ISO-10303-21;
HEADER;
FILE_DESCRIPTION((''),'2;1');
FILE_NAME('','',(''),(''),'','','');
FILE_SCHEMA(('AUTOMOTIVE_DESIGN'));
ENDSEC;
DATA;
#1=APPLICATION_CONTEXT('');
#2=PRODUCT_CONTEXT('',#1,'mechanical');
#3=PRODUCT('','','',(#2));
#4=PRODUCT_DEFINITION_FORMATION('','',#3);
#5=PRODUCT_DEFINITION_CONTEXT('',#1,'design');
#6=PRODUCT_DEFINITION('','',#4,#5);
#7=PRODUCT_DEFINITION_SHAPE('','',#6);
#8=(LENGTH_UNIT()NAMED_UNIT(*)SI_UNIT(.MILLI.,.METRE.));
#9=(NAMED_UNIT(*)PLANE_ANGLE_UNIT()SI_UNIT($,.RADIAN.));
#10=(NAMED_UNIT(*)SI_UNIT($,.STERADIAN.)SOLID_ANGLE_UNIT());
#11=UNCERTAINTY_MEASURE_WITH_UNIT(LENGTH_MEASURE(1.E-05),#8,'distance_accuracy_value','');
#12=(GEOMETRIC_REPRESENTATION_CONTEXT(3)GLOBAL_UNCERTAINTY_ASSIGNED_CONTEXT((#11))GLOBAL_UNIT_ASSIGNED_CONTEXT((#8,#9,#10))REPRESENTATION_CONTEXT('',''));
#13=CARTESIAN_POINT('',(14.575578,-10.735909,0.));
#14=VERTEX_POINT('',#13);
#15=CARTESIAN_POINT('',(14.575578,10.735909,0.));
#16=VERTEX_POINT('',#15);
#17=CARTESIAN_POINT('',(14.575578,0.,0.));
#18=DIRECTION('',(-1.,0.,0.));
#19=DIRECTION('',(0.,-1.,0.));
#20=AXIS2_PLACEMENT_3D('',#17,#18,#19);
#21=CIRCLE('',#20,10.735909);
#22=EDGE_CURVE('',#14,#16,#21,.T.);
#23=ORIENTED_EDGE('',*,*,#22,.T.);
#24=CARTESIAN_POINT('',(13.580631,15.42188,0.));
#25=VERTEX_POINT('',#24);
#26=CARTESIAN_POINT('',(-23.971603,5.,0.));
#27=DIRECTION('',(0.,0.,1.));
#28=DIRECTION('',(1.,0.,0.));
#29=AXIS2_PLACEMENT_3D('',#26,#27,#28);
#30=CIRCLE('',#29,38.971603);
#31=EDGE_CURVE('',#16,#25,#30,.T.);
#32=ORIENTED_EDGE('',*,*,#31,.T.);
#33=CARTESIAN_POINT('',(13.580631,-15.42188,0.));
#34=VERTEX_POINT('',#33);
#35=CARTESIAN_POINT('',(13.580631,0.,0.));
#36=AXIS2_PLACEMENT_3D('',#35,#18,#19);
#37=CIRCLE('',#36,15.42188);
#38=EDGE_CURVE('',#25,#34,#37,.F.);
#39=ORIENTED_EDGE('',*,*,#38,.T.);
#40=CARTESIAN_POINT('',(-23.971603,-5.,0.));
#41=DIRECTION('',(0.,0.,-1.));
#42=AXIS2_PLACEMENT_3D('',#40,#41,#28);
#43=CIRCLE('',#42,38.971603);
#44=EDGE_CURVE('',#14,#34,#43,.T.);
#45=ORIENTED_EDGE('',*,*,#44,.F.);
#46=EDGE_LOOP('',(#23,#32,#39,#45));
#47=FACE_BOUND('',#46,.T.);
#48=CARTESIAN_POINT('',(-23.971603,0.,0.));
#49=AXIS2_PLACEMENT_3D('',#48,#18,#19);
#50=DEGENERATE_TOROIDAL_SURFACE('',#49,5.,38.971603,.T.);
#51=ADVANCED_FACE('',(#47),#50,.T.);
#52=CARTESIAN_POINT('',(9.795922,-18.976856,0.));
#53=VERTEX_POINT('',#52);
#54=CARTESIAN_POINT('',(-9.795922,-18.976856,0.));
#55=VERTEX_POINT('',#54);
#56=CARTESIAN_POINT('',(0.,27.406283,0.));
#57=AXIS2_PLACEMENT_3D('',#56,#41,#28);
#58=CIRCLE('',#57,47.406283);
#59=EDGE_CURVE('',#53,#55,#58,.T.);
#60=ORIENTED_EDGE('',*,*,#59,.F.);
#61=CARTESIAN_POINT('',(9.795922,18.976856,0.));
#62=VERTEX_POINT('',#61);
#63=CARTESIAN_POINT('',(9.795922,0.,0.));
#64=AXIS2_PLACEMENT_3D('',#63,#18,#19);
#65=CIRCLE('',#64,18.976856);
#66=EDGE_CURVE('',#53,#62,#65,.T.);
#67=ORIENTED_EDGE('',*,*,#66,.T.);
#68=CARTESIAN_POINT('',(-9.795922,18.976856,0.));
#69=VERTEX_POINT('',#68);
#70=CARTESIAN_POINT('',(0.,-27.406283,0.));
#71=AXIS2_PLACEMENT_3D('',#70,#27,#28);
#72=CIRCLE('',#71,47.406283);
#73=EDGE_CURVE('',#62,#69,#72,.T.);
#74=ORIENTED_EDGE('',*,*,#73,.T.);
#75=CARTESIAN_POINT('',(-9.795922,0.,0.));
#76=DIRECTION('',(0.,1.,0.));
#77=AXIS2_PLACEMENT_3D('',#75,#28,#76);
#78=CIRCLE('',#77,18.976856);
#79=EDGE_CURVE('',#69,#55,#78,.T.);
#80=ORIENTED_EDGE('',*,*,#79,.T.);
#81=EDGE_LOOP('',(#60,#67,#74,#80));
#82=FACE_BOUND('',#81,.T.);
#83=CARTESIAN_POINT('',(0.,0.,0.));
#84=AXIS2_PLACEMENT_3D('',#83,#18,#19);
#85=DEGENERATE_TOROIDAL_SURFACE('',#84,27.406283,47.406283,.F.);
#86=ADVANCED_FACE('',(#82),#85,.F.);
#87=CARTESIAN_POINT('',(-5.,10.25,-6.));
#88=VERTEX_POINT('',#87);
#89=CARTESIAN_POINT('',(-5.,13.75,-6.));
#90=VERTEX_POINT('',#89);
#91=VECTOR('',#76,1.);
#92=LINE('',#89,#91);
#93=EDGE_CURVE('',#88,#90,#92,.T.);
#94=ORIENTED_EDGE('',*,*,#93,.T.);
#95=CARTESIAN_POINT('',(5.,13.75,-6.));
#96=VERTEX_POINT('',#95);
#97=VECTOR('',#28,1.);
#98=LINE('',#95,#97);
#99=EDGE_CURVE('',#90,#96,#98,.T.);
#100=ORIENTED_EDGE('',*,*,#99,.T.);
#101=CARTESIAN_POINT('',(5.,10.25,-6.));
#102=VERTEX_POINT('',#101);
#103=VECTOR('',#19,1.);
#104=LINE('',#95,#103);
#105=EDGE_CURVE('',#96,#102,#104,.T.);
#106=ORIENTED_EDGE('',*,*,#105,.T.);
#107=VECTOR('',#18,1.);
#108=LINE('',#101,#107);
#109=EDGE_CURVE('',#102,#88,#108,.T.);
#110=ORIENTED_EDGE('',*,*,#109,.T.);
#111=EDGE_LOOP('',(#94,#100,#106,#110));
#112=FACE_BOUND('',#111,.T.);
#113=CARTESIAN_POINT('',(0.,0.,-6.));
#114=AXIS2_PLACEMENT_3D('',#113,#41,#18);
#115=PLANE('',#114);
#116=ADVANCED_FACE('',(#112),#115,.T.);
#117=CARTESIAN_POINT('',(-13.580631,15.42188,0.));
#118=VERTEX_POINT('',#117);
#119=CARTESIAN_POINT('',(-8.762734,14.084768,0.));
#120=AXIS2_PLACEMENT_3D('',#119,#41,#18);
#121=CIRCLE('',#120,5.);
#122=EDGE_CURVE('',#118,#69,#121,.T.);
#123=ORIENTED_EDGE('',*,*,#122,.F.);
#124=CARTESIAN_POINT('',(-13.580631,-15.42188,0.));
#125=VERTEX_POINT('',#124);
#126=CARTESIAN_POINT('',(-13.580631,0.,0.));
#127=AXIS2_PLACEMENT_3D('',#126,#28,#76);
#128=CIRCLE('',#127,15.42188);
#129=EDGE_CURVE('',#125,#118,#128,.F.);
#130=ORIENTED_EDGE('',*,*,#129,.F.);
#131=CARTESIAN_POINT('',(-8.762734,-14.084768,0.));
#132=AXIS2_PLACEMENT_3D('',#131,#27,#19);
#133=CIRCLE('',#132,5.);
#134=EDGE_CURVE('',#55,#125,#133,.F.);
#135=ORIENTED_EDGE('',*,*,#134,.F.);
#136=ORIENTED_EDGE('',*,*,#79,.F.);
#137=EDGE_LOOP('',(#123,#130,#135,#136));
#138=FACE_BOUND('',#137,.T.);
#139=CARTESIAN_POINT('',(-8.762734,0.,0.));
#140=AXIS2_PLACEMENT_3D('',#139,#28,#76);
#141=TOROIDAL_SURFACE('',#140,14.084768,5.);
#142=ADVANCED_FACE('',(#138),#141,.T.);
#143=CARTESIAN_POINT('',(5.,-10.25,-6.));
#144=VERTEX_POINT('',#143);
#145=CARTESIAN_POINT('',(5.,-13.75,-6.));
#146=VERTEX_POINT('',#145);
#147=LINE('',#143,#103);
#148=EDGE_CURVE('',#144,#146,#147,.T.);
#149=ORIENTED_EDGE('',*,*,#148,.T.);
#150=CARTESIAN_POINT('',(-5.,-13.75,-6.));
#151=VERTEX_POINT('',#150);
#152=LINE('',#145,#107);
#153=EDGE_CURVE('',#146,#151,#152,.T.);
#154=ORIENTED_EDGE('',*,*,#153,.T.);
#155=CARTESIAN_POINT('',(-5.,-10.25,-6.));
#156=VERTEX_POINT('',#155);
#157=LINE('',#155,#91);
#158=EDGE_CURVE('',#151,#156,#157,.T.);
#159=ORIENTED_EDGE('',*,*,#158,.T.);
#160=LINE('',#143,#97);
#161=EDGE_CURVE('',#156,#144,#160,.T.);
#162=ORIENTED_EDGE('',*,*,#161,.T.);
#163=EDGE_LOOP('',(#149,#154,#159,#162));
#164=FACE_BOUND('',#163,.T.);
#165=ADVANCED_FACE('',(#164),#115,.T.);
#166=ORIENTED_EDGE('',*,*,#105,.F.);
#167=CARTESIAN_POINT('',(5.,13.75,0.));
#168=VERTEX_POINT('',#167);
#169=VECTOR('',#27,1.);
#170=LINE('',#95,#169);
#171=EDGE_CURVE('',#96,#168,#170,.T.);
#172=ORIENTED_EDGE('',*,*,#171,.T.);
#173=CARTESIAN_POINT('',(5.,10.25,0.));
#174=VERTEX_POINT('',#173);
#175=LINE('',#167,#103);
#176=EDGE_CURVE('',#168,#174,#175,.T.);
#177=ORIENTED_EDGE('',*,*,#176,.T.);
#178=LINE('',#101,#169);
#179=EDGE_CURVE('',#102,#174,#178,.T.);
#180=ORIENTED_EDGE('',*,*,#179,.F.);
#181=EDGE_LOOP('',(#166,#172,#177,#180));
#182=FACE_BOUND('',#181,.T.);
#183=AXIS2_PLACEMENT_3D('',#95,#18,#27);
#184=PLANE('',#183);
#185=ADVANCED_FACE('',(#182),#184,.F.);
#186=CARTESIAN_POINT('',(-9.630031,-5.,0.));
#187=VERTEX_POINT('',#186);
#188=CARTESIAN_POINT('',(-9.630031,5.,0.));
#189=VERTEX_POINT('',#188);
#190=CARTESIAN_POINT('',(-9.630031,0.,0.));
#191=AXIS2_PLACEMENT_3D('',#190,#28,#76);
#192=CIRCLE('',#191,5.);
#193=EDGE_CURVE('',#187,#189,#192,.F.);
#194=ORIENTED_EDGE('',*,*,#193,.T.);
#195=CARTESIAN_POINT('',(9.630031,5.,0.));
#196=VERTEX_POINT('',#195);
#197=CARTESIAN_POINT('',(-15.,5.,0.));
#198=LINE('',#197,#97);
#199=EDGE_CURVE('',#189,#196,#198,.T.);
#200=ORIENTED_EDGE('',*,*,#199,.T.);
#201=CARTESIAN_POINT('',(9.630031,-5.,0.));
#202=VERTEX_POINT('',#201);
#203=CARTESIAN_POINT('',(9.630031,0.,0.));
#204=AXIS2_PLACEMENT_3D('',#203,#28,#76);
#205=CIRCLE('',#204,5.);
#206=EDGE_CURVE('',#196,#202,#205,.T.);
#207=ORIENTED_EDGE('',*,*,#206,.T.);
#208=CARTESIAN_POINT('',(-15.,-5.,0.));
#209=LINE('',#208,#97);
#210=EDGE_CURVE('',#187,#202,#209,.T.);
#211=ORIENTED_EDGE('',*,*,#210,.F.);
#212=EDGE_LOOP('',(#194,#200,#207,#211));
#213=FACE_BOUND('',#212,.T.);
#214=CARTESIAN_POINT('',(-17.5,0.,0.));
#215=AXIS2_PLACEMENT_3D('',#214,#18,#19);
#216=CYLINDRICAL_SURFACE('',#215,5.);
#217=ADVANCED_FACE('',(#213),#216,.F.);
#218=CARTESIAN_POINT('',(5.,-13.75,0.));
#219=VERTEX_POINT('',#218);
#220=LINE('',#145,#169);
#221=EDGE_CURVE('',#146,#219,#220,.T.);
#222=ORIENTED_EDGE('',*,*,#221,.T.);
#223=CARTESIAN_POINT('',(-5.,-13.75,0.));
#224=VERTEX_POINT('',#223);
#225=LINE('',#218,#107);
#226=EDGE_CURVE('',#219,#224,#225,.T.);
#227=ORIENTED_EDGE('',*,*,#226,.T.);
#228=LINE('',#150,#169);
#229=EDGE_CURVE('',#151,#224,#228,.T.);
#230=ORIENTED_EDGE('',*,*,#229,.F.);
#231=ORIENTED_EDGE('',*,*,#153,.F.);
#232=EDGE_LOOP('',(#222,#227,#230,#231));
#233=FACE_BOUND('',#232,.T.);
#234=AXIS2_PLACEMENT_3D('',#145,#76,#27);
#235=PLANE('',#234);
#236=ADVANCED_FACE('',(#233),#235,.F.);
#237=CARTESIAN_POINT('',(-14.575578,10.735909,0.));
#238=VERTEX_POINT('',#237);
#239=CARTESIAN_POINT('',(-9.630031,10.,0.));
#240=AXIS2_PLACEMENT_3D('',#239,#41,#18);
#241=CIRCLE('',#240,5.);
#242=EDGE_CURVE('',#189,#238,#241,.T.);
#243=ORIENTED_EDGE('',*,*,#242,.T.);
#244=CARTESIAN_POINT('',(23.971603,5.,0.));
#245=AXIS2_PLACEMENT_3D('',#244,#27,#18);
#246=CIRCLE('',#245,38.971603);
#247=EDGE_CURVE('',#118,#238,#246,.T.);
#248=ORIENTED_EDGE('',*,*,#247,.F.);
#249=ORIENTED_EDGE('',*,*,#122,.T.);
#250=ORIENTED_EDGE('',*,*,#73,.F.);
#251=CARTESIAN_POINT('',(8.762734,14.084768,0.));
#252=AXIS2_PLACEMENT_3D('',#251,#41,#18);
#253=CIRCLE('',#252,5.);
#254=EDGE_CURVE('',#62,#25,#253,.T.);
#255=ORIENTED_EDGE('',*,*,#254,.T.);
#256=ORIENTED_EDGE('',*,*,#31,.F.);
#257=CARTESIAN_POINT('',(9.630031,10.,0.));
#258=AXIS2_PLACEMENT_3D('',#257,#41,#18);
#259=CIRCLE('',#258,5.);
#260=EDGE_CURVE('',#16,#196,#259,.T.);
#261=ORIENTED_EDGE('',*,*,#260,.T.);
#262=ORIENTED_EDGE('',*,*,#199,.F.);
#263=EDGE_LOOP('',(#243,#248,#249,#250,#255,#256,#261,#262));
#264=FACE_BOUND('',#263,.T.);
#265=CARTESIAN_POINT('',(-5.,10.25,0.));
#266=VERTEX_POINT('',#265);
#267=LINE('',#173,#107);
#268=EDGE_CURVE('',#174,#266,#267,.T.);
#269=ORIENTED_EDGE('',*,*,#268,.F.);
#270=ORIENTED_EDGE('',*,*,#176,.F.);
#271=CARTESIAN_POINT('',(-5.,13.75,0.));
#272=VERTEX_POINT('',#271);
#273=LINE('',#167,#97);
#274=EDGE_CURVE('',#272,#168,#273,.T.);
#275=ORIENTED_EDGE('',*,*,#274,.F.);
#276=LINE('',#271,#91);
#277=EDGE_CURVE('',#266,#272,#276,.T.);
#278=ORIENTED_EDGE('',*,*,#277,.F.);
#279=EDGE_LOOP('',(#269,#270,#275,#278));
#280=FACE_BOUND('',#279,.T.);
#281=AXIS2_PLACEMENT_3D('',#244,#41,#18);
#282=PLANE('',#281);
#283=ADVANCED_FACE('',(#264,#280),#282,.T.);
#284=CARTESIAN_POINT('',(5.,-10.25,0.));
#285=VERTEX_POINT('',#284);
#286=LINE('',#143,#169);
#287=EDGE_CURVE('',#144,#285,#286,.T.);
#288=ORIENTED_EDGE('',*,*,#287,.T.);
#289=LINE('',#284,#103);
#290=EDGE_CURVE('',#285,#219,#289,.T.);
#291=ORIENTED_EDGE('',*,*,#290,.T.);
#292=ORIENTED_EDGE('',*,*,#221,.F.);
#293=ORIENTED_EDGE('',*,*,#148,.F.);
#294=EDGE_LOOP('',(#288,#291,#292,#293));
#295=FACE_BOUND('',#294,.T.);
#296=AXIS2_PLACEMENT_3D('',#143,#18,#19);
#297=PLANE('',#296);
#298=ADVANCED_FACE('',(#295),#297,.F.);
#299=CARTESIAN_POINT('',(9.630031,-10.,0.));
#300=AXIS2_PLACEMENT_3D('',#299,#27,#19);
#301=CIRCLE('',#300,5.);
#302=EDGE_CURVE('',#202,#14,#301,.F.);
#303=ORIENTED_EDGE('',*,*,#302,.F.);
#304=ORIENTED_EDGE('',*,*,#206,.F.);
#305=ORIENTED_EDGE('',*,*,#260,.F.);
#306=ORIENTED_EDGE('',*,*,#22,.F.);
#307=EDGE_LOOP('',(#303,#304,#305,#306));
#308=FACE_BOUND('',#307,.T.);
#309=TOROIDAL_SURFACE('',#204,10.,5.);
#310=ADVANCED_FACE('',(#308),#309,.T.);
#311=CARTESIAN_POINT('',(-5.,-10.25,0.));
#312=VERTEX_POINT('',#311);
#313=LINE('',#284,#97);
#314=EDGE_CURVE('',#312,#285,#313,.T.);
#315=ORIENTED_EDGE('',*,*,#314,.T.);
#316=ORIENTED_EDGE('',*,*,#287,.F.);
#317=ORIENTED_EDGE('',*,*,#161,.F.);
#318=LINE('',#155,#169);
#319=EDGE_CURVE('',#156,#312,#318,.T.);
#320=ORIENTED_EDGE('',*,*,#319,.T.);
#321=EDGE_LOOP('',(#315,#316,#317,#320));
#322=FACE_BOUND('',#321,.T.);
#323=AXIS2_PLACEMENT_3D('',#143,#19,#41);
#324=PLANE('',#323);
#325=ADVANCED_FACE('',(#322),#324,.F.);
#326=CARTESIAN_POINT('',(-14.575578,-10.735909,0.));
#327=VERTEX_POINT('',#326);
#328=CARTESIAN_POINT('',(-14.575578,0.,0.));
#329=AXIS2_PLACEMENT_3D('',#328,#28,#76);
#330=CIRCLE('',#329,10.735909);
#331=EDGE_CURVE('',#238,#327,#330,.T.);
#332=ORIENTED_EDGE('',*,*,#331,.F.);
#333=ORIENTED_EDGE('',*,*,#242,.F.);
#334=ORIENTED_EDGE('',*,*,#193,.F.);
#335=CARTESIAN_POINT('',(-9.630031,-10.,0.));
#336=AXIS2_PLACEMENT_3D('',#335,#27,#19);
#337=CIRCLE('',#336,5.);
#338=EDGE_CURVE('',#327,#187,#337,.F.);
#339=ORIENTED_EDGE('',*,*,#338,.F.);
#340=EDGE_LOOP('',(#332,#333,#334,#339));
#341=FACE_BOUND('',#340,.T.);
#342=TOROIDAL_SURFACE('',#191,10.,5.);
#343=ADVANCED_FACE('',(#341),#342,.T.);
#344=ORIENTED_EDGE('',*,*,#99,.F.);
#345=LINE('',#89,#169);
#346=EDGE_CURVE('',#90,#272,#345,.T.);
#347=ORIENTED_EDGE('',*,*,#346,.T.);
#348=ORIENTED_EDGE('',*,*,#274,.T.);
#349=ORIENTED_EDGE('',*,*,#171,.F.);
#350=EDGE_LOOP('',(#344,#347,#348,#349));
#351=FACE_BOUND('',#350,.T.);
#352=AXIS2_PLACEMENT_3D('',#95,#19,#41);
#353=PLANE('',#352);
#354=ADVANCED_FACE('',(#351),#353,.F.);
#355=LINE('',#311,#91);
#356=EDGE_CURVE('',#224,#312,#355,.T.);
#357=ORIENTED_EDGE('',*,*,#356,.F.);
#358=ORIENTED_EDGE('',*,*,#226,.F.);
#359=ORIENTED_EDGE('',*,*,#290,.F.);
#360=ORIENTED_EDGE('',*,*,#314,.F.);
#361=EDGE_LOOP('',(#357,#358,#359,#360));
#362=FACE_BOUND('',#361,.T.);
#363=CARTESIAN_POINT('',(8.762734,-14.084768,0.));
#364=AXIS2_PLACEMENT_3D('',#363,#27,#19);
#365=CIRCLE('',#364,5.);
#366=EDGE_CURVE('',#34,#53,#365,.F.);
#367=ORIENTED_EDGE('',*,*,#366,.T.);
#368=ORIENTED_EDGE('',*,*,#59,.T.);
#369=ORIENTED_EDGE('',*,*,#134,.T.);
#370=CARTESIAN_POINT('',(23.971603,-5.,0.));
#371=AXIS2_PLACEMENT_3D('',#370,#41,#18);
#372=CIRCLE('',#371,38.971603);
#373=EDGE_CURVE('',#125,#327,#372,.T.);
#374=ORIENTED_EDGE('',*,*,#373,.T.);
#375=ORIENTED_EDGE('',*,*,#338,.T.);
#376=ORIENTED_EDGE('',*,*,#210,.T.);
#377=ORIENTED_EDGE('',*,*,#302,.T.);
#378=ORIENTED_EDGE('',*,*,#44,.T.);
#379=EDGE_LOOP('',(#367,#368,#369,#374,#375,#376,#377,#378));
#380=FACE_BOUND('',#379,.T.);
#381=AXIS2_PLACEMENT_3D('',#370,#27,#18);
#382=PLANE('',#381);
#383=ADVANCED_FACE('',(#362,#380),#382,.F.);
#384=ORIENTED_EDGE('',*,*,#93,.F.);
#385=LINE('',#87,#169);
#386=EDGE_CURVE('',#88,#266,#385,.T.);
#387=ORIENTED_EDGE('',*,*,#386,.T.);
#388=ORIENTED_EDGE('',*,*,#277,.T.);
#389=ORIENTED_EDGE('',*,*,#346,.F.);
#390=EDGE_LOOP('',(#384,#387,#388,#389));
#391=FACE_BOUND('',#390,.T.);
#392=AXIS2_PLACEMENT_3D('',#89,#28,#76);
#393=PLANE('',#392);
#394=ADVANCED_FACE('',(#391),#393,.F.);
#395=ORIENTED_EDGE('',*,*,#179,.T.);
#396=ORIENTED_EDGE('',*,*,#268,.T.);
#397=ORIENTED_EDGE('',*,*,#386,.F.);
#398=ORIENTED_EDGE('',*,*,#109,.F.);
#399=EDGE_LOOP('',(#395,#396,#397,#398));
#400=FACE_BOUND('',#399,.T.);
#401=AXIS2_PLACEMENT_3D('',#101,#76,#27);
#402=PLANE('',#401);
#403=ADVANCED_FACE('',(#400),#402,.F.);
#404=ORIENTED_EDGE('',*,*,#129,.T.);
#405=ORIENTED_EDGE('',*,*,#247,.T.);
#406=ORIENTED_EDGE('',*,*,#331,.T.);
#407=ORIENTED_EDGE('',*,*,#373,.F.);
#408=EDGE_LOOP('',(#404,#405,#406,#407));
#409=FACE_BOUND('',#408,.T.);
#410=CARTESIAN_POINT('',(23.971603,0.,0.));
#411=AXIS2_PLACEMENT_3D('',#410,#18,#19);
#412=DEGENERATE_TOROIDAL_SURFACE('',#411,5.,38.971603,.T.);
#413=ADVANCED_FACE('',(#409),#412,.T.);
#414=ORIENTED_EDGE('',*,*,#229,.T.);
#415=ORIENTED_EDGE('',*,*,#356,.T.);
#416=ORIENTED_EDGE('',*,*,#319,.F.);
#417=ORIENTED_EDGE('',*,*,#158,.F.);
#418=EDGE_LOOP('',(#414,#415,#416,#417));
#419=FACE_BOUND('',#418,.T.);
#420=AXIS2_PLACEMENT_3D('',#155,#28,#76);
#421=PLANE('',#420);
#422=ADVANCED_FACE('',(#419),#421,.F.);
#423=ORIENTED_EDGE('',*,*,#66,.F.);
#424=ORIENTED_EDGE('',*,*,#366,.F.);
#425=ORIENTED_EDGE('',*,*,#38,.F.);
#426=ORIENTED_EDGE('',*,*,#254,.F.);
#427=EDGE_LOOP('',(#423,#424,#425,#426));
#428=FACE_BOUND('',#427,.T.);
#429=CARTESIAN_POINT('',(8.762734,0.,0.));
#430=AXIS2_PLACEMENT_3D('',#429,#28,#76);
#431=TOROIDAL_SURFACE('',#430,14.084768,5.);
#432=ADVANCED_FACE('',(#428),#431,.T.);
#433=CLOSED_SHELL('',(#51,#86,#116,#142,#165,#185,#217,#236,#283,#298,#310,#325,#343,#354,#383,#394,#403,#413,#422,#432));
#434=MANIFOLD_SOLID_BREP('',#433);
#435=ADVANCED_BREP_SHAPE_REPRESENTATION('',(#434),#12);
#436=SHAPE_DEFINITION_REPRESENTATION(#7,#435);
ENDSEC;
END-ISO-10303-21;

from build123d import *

# Parameters (mm, degrees)
REVOLVE_1_ANGLE = 180
FILLET_1_R      = 5
FILLET_2_R      = 5
SKETCH_3_W      = 10
SKETCH_3_H      = 3.5
EXTRUDE_1_DEPTH = 6


with BuildPart() as part:
    # 草图1 → 旋转1 (revolve)
    with BuildSketch(Plane.XY):
        with BuildLine():
            Line((-15, 5), (15, 5))
            ThreePointArc((15, 5), (14.412847263, 11.739422714), (12.669081334, 18.275770872))
            ThreePointArc((12.669081334, 18.275770872), (0, 20), (-12.669081334, 18.275770872))
            ThreePointArc((-12.669081334, 18.275770872), (-14.412847263, 11.739422714), (-15, 5))
        make_face()
    revolve(axis=Axis((-17.5, 0, 0), (1, 0, 0)), revolution_arc=REVOLVE_1_ANGLE)

    # 圆角1
    fillet_1_edges = [part.edges().sort_by_distance(p)[0] for p in [
        (12.669081334, 0, 18.275770872),
        (-12.669081334, 0, 18.275770872),
    ]]
    fillet(fillet_1_edges, radius=FILLET_1_R)

    # 圆角2
    fillet_2_edges = [part.edges().sort_by_distance(p)[0] for p in [
        (-15, 0, 5),
        (15, 0, 5),
    ]]
    fillet(fillet_2_edges, radius=FILLET_2_R)

    # 草图3 → 凸台-拉伸1 (add)
    with BuildSketch(Plane(origin=(0, 0, 0), x_dir=(-1, 0, 0), z_dir=(0, 0, -1))):
        with Locations((0, 12)):
            Rectangle(SKETCH_3_W, SKETCH_3_H)
        with Locations((0, -12)):
            Rectangle(SKETCH_3_W, SKETCH_3_H)
    extrude(amount=EXTRUDE_1_DEPTH)


solid = part.part
